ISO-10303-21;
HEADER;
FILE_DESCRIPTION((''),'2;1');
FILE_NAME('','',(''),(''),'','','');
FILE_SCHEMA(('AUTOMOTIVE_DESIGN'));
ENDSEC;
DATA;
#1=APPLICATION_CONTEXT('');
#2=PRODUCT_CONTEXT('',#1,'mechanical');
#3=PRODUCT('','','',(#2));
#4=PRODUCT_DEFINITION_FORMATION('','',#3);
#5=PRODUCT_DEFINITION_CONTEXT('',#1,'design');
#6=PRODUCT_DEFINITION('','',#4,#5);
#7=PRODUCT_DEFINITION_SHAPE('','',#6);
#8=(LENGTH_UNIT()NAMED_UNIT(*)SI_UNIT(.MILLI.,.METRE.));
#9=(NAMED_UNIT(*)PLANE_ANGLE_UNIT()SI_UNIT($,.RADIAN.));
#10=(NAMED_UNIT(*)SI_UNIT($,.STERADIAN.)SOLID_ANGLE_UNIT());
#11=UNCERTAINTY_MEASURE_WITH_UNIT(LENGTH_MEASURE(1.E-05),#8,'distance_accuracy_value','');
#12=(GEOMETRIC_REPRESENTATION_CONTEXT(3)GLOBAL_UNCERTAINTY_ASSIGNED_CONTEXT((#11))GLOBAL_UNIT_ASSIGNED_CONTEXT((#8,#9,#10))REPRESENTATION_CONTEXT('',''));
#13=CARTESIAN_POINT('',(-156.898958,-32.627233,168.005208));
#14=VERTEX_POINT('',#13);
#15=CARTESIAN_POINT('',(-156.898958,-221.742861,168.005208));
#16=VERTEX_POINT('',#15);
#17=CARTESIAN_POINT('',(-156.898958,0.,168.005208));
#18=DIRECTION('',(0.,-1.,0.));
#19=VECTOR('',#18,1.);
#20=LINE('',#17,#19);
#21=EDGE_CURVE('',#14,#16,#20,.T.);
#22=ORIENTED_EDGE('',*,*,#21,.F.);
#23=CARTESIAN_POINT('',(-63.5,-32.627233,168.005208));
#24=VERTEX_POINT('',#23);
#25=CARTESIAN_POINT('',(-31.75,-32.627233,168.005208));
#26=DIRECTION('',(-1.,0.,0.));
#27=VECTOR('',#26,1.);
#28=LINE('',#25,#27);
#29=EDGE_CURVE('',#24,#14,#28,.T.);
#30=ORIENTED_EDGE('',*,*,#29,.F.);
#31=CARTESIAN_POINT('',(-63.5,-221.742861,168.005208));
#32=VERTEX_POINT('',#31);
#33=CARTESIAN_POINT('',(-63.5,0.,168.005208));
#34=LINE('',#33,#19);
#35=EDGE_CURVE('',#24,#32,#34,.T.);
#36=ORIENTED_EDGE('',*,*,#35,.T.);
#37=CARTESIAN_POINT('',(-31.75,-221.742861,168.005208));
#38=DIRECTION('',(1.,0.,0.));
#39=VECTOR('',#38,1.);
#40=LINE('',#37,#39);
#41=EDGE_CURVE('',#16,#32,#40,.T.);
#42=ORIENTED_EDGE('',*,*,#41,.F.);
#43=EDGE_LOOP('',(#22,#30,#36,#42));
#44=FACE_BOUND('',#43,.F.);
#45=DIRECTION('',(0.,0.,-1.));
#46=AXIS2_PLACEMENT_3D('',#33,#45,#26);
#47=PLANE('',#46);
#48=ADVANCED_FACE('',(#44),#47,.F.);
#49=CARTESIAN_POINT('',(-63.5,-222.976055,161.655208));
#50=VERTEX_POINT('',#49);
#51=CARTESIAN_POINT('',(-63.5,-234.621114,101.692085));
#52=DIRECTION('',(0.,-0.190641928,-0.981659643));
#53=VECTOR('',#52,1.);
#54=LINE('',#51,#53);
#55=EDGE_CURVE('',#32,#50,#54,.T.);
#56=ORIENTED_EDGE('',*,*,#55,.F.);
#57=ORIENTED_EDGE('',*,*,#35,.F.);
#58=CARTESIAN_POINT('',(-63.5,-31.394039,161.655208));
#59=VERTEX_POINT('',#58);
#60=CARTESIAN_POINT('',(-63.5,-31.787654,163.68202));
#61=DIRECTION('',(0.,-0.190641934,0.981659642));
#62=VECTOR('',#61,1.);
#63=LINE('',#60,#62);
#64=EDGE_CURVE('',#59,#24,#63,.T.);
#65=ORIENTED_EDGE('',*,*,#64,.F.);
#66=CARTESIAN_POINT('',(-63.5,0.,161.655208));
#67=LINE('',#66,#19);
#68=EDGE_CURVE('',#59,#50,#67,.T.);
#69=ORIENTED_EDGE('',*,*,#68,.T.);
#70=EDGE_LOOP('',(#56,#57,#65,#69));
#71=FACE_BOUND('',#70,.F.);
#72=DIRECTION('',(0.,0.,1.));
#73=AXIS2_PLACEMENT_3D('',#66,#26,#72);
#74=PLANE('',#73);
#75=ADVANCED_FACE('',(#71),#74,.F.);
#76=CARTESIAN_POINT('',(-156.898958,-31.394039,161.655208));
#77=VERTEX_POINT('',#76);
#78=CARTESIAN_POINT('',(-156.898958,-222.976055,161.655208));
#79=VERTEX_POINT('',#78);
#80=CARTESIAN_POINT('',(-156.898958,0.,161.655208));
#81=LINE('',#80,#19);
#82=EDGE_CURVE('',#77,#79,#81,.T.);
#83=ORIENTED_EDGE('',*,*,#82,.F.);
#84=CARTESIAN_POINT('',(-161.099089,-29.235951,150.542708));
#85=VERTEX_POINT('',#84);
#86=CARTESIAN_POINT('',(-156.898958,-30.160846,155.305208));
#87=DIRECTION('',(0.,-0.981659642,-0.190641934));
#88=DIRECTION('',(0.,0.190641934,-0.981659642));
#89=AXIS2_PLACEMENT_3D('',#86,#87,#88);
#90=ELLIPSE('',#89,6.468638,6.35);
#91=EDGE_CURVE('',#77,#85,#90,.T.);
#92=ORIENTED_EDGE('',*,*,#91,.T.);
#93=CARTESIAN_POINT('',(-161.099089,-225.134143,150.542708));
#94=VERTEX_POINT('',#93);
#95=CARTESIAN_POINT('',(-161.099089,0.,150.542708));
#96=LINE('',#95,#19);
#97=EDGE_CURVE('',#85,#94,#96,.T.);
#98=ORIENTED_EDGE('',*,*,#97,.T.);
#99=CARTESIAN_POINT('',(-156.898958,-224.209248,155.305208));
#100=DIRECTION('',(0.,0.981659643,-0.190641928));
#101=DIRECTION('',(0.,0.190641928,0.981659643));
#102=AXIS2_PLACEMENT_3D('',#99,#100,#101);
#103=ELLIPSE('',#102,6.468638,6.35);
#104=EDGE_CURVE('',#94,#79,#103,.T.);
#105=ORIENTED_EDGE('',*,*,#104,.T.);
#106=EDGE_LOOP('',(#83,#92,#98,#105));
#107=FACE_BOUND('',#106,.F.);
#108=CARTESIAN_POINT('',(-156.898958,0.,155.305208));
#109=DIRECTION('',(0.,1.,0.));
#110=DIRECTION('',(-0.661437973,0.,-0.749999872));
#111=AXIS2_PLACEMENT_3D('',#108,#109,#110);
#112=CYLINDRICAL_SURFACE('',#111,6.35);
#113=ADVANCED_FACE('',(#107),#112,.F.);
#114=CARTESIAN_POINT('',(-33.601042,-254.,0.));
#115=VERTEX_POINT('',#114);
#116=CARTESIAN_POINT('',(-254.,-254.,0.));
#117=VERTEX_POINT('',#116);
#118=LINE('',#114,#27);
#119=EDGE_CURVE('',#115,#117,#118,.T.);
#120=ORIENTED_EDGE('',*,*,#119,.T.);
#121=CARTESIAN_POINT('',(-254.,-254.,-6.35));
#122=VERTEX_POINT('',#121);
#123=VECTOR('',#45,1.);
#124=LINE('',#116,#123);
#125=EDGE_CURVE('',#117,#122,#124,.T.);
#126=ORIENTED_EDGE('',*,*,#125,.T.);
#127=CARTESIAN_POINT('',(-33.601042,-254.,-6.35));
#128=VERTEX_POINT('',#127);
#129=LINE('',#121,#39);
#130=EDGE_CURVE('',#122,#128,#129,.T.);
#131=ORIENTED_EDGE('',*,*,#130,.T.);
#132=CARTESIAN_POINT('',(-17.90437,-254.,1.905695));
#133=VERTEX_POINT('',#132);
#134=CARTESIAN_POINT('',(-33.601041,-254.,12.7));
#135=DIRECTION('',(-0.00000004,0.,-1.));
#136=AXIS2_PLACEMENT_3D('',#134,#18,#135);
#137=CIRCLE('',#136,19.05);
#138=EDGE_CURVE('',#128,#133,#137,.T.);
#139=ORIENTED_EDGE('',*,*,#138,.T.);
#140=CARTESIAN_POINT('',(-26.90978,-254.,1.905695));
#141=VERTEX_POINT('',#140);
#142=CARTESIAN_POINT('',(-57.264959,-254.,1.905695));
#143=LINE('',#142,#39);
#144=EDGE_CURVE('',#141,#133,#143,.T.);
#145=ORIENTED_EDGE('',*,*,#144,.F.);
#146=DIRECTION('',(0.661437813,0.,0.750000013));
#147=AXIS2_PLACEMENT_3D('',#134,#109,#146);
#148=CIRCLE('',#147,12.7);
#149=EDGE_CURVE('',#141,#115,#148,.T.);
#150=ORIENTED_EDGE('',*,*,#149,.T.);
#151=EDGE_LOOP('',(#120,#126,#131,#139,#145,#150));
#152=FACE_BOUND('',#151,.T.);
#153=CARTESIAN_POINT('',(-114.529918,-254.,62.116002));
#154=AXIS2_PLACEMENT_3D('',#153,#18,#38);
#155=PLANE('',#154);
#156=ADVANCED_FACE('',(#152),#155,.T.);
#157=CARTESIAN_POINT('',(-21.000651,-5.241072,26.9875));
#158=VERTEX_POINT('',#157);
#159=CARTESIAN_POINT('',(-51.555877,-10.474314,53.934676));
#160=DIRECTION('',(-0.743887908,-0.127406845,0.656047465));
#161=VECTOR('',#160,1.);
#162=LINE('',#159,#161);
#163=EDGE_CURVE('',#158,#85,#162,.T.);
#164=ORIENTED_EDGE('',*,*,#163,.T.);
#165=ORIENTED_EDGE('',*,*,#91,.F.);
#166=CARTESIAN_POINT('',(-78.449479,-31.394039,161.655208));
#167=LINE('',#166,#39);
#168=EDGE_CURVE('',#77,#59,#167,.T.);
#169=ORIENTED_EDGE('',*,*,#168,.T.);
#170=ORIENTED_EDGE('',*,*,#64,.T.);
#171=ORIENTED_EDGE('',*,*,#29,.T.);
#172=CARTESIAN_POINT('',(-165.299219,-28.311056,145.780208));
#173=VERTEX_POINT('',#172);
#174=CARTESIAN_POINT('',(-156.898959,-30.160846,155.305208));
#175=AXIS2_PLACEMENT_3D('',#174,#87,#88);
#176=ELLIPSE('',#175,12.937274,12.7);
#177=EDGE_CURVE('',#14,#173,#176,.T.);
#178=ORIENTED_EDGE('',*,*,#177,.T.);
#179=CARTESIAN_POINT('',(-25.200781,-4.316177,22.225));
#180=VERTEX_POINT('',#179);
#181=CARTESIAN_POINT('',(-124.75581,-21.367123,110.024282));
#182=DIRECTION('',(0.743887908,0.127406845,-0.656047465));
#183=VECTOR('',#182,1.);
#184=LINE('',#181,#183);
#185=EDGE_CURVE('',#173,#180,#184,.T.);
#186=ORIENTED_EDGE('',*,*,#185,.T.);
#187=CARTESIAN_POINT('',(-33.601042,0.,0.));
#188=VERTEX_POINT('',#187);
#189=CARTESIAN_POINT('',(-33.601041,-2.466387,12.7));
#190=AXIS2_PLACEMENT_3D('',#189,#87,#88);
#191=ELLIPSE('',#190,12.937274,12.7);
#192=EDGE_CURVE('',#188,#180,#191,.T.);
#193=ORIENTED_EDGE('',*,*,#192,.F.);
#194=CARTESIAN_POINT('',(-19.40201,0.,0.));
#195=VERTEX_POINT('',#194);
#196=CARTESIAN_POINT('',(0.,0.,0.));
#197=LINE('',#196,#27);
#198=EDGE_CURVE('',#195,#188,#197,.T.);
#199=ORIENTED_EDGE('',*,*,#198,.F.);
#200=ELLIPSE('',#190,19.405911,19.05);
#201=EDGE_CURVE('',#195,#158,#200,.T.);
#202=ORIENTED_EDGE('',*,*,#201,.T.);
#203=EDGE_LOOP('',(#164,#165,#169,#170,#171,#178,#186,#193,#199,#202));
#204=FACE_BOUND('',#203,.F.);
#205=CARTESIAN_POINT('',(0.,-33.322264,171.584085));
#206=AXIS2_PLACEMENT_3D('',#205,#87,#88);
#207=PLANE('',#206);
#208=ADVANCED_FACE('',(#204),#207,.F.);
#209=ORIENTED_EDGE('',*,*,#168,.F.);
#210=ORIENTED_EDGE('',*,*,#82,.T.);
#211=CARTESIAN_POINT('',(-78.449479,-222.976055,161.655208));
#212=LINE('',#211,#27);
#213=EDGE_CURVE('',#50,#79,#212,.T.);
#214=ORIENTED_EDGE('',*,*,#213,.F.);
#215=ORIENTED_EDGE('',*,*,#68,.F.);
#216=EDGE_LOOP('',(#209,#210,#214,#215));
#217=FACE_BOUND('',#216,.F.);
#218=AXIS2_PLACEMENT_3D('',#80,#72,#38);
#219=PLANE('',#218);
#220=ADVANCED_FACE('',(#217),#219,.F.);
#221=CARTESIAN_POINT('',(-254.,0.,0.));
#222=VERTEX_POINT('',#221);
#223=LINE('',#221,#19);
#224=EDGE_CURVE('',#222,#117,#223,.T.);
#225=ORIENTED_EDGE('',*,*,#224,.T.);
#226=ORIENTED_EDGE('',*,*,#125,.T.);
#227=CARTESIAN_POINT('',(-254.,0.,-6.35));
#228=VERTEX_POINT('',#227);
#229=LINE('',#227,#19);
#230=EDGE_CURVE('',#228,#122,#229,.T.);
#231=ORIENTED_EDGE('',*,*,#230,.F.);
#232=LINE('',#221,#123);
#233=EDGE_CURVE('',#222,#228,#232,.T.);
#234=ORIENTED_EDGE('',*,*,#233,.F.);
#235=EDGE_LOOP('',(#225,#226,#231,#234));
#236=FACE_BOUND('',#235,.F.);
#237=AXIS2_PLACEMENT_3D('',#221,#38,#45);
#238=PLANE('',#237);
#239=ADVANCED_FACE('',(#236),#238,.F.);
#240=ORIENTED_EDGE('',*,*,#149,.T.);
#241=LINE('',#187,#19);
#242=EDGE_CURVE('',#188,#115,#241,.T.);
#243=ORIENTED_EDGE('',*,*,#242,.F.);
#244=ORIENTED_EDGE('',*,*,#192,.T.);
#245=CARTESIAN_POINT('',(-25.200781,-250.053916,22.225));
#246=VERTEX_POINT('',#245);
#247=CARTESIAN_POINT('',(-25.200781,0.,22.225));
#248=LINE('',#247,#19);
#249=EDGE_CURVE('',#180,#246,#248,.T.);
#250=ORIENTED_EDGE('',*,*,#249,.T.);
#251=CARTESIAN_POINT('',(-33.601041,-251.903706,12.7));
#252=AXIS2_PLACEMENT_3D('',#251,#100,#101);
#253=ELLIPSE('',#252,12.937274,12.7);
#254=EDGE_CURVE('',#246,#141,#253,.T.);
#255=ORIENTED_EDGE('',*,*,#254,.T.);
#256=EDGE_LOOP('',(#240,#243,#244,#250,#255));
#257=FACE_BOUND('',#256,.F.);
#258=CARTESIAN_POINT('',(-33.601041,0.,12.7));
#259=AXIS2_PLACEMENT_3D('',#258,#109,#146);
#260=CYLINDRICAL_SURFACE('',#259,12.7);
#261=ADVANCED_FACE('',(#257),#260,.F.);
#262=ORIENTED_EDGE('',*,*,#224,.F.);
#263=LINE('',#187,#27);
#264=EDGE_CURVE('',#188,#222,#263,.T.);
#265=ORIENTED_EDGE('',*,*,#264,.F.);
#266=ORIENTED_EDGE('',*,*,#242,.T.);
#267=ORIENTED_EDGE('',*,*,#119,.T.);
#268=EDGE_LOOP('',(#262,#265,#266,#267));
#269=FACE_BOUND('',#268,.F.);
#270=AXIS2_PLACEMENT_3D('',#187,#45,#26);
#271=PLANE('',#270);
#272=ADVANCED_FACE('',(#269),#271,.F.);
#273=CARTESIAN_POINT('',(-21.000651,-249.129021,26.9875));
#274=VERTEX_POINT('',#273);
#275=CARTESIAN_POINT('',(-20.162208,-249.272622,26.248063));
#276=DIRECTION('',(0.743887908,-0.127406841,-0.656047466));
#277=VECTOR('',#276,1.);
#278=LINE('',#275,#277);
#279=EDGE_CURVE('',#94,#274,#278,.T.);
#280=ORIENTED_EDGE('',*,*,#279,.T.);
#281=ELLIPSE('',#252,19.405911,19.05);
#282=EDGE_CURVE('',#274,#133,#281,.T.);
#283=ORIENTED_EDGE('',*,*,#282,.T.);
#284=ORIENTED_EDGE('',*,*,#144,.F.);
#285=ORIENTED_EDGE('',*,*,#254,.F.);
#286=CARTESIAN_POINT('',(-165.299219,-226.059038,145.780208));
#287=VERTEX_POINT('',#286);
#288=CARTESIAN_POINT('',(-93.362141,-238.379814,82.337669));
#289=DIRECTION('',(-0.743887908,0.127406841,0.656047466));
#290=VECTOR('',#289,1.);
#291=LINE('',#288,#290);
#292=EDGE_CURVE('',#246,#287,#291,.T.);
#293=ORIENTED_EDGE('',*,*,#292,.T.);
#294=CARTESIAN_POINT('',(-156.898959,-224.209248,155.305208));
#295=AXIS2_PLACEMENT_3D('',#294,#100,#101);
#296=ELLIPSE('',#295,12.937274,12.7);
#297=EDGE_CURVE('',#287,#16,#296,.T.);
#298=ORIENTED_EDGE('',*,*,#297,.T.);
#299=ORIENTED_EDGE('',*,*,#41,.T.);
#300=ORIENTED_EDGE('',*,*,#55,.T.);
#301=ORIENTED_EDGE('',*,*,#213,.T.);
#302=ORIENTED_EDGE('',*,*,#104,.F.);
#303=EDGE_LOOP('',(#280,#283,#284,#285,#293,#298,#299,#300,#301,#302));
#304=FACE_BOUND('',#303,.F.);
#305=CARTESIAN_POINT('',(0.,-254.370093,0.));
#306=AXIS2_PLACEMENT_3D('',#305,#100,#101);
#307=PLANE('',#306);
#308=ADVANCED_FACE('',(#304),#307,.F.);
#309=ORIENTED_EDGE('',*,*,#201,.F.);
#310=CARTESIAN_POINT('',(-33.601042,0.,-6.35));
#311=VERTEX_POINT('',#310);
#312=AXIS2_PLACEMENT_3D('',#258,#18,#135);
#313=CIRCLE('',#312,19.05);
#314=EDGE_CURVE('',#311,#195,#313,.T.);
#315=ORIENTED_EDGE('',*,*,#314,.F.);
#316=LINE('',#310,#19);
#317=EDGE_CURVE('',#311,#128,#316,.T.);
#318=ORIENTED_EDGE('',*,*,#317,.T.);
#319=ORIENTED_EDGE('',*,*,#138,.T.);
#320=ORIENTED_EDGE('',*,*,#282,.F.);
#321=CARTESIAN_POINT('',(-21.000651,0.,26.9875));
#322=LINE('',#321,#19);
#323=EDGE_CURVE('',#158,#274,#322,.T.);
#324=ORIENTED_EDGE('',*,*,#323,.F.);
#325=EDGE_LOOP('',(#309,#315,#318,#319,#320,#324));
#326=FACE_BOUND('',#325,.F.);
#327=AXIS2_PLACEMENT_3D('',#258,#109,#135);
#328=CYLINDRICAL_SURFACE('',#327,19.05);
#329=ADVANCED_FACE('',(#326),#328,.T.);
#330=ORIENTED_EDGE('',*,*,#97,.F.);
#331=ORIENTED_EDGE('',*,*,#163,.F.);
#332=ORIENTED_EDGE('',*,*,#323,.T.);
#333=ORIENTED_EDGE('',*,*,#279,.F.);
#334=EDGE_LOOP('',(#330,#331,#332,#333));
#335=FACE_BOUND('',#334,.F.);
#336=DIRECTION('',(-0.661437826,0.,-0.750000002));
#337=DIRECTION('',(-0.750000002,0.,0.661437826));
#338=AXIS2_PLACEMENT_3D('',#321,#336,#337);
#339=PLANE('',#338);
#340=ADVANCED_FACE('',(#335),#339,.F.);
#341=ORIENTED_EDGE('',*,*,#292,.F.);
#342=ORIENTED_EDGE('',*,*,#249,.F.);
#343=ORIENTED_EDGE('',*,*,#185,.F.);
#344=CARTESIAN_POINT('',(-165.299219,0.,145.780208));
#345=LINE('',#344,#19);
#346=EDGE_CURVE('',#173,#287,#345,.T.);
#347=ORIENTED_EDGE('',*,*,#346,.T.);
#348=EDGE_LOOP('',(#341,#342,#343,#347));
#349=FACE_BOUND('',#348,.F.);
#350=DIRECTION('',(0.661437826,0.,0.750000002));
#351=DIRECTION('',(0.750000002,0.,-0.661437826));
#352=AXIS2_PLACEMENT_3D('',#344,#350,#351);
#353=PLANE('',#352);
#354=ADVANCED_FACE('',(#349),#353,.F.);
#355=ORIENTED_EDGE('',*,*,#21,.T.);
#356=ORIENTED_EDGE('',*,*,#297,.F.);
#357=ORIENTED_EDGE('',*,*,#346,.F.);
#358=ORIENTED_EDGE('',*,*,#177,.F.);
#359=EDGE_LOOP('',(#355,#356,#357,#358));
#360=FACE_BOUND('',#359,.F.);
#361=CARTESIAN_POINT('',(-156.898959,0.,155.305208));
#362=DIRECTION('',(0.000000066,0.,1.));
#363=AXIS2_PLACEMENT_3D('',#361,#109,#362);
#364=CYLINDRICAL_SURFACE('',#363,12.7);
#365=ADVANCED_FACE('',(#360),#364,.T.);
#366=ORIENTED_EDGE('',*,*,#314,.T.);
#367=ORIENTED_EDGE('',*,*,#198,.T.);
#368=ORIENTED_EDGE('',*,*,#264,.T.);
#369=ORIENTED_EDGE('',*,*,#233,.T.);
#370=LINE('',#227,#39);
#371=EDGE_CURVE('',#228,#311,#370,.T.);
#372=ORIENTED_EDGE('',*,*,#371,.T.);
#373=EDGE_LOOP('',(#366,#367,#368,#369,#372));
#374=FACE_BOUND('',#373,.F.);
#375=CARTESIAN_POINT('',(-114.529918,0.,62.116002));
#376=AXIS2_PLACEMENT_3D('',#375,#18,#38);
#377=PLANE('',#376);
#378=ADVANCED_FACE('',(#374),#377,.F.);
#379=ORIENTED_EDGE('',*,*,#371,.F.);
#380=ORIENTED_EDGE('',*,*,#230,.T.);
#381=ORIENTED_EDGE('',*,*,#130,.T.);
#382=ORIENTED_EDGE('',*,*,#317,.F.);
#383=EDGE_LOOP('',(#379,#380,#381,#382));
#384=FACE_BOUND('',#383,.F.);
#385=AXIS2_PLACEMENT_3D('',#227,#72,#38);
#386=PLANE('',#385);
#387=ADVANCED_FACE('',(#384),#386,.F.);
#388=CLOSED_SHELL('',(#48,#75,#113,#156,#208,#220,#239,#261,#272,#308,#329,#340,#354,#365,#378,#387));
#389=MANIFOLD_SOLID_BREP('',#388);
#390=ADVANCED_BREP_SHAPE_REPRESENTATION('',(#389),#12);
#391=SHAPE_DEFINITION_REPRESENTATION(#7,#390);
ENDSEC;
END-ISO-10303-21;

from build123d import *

# Parameters (mm, degrees)
F1_DEPTH = 254
F3_DEPTH = 254.001


with BuildPart() as f1:
    # F0 (on Front) → F1 (new body)
    with BuildSketch(Plane.XZ):
        with BuildLine():
            Line((-33.601042, 0), (-254, 0))
            Line((-254, 0), (-254, -6.35))
            Line((-254, -6.35), (-33.601042, -6.35))
            ThreePointArc((-33.601042, -6.35), (-15.781398, 5.964808), (-21.000651, 26.9875))
            Line((-21.000651, 26.9875), (-161.099089, 150.542708))
            ThreePointArc((-161.099089, 150.542708), (-162.838839, 157.550272), (-156.898958, 161.655208))
            Line((-156.898958, 161.655208), (-63.5, 161.655208))
            Line((-63.5, 161.655208), (-63.5, 168.005208))
            Line((-63.5, 168.005208), (-156.898958, 168.005208))
            ThreePointArc((-156.898958, 168.005208), (-168.778721, 159.795336), (-165.299219, 145.780208))
            Line((-165.299219, 145.780208), (-25.200781, 22.225))
            ThreePointArc((-25.200781, 22.225), (-21.721279, 8.209872), (-33.601042, 0))
        make_face()
    extrude(amount=F1_DEPTH)

    # F2 (on Right) → F3 (cut, through all)
    with BuildSketch(Plane.YZ):
        Polygon((-33.322264, 171.584085), (0, 0), (15.097735, 0), (15.097735, 171.584085), align=None)
        Polygon((-254.370093, 0), (-221.04783, 171.584085), (-269.467829, 171.584085), (-269.467829, 0), align=None)
    extrude(amount=-F3_DEPTH, mode=Mode.SUBTRACT)


solid = f1.part
